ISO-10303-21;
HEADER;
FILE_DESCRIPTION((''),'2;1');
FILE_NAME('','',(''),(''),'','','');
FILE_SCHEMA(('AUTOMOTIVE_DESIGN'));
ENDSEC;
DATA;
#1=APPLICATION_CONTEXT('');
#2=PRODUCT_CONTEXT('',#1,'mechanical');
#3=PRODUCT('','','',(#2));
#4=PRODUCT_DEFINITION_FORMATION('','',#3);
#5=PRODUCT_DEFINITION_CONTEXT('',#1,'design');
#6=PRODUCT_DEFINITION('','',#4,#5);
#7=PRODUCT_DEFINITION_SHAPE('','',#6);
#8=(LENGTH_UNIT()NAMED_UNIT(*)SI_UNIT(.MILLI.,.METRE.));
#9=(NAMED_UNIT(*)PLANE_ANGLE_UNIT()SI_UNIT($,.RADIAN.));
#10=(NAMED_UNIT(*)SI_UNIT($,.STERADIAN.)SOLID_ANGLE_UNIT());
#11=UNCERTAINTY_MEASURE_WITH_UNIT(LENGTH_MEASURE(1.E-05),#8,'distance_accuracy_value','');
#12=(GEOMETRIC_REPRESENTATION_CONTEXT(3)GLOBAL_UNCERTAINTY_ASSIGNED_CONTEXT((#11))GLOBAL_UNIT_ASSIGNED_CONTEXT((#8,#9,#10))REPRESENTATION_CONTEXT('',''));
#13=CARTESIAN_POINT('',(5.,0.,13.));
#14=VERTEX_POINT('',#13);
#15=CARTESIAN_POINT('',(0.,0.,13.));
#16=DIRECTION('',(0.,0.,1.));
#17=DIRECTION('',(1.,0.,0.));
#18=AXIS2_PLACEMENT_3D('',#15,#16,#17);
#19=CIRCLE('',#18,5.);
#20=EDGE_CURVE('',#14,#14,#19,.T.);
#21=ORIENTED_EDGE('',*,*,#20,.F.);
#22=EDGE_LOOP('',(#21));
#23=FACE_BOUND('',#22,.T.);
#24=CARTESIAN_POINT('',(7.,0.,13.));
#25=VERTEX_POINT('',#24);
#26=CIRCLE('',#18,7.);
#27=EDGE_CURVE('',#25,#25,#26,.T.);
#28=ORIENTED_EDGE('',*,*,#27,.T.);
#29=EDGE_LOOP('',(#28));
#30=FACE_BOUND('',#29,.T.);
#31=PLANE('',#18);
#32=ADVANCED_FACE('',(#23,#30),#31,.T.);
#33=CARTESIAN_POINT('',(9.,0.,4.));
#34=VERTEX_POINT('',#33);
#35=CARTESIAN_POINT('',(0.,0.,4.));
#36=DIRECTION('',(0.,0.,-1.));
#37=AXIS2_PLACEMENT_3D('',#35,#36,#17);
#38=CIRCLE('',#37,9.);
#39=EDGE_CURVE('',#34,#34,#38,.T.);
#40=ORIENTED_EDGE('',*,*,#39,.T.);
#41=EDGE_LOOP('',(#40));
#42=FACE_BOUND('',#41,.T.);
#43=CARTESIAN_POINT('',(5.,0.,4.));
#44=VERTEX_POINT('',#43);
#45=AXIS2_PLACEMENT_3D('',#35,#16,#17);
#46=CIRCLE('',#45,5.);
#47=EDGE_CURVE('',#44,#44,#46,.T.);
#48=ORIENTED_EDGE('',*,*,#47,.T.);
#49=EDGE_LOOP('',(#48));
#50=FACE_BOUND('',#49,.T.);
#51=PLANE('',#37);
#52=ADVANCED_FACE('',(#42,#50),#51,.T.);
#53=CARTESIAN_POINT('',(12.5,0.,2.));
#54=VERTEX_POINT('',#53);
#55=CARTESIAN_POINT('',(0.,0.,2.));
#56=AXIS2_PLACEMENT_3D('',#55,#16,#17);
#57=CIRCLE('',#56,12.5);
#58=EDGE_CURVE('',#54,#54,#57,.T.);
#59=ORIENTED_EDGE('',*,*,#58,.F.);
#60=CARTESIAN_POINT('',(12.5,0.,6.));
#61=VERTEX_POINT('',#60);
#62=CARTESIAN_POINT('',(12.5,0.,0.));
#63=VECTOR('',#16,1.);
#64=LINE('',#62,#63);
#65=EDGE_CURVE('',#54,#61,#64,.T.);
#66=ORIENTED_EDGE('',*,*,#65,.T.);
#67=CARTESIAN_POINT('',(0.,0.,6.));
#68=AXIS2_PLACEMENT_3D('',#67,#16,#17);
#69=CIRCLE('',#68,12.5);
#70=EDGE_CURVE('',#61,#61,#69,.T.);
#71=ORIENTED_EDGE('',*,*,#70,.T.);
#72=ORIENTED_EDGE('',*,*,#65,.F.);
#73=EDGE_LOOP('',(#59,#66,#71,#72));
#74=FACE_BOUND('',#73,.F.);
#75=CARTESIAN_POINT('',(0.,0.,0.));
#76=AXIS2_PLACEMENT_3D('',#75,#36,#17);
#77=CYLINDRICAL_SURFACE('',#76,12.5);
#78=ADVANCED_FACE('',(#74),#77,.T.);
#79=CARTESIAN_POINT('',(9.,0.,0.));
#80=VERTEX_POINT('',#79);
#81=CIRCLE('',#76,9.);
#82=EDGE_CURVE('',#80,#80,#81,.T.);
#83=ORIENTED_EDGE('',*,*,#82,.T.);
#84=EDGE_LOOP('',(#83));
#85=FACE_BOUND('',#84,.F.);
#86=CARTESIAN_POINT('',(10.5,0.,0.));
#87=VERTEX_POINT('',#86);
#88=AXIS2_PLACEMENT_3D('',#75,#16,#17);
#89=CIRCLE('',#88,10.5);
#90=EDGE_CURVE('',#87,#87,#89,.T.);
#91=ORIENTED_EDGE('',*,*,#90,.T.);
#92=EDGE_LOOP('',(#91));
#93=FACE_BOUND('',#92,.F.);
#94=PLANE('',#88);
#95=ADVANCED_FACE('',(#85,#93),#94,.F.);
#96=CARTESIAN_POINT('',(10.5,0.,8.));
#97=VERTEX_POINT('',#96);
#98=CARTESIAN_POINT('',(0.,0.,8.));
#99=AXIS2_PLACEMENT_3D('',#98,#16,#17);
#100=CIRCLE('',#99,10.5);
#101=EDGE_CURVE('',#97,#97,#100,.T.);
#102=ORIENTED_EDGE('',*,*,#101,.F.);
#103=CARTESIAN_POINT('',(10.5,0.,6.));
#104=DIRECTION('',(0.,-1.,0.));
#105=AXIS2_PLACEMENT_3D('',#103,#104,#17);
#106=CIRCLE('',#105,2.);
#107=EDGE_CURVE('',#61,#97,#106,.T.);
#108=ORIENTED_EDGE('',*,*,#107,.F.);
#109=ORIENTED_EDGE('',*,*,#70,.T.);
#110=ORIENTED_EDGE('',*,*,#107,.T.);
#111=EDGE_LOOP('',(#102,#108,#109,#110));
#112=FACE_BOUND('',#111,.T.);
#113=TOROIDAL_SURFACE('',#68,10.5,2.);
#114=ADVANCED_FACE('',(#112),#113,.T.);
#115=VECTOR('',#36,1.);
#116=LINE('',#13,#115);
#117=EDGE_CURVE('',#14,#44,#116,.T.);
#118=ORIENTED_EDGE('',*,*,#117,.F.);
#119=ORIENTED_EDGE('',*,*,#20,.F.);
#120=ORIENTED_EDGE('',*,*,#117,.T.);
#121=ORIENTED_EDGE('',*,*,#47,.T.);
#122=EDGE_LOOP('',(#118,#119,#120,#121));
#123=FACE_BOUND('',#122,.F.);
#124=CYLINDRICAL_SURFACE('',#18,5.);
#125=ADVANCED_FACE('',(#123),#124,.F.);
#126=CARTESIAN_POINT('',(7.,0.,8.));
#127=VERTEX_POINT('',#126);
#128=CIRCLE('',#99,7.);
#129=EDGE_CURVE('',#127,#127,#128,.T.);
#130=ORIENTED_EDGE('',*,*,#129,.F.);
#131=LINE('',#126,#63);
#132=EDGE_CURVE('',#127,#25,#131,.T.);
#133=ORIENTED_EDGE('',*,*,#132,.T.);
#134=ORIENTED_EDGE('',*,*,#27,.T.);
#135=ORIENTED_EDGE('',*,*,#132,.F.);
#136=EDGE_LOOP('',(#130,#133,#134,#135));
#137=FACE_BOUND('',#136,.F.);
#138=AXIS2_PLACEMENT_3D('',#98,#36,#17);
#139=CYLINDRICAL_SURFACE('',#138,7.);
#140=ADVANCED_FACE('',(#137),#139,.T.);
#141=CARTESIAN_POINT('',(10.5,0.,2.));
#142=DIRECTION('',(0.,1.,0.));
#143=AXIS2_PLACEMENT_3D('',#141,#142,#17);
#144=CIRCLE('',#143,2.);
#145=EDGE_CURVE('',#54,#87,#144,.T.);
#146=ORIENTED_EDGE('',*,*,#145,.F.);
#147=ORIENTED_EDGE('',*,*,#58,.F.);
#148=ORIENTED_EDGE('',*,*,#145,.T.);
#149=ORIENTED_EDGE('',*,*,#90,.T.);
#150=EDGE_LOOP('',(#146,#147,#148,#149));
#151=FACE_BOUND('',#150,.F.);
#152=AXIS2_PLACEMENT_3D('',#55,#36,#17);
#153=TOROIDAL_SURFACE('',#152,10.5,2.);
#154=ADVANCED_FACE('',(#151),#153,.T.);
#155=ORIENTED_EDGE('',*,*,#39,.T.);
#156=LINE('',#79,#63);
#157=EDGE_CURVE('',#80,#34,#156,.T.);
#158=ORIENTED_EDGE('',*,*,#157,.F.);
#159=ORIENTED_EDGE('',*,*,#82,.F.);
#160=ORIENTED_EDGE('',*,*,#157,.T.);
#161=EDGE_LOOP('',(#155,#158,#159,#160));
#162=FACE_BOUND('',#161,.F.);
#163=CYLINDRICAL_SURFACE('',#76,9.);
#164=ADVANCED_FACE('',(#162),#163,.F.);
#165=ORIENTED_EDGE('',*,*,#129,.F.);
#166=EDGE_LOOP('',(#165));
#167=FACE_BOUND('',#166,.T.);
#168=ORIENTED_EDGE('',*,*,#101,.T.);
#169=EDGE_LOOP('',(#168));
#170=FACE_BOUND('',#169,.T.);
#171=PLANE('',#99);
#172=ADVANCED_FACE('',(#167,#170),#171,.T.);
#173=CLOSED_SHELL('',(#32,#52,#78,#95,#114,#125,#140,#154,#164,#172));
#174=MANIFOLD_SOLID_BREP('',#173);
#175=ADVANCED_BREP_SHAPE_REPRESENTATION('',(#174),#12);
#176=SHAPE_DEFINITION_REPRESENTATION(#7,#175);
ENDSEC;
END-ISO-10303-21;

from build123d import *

# Parameters (mm, degrees)
F0_R     = 12.5
F1_DEPTH = 8
F2_R     = 7
F3_DEPTH = 5
F4_R     = 5
F5_DEPTH = 25
F6_R     = 9
F7_DEPTH = 4
F8_R     = 2


with BuildPart() as f1:
    # F0 (on Top) → F1 (new body)
    with BuildSketch(Plane.XY):
        Circle(F0_R)
    extrude(amount=F1_DEPTH)

    # F2 (on face) → F3 (join)
    with BuildSketch(Plane.XY.offset(8)):
        Circle(F2_R)
    extrude(amount=F3_DEPTH)

    # F4 (on face) → F5 (cut)
    with BuildSketch(Plane.XY.offset(13)):
        Circle(F4_R)
    extrude(amount=-F5_DEPTH, mode=Mode.SUBTRACT)

    # F6 (on face) → F7 (cut)
    with BuildSketch(Plane(origin=(0, 0, 0), x_dir=(1, 0, 0), z_dir=(0, 0, -1))):
        Circle(F6_R)
    extrude(amount=-F7_DEPTH, mode=Mode.SUBTRACT)

    # F8
    f8_edges = [f1.edges().sort_by_distance(p)[0] for p in [
        (-12.5, 0, 0),
        (-12.5, 0, 8),
    ]]
    fillet(f8_edges, radius=F8_R)


solid = f1.part
